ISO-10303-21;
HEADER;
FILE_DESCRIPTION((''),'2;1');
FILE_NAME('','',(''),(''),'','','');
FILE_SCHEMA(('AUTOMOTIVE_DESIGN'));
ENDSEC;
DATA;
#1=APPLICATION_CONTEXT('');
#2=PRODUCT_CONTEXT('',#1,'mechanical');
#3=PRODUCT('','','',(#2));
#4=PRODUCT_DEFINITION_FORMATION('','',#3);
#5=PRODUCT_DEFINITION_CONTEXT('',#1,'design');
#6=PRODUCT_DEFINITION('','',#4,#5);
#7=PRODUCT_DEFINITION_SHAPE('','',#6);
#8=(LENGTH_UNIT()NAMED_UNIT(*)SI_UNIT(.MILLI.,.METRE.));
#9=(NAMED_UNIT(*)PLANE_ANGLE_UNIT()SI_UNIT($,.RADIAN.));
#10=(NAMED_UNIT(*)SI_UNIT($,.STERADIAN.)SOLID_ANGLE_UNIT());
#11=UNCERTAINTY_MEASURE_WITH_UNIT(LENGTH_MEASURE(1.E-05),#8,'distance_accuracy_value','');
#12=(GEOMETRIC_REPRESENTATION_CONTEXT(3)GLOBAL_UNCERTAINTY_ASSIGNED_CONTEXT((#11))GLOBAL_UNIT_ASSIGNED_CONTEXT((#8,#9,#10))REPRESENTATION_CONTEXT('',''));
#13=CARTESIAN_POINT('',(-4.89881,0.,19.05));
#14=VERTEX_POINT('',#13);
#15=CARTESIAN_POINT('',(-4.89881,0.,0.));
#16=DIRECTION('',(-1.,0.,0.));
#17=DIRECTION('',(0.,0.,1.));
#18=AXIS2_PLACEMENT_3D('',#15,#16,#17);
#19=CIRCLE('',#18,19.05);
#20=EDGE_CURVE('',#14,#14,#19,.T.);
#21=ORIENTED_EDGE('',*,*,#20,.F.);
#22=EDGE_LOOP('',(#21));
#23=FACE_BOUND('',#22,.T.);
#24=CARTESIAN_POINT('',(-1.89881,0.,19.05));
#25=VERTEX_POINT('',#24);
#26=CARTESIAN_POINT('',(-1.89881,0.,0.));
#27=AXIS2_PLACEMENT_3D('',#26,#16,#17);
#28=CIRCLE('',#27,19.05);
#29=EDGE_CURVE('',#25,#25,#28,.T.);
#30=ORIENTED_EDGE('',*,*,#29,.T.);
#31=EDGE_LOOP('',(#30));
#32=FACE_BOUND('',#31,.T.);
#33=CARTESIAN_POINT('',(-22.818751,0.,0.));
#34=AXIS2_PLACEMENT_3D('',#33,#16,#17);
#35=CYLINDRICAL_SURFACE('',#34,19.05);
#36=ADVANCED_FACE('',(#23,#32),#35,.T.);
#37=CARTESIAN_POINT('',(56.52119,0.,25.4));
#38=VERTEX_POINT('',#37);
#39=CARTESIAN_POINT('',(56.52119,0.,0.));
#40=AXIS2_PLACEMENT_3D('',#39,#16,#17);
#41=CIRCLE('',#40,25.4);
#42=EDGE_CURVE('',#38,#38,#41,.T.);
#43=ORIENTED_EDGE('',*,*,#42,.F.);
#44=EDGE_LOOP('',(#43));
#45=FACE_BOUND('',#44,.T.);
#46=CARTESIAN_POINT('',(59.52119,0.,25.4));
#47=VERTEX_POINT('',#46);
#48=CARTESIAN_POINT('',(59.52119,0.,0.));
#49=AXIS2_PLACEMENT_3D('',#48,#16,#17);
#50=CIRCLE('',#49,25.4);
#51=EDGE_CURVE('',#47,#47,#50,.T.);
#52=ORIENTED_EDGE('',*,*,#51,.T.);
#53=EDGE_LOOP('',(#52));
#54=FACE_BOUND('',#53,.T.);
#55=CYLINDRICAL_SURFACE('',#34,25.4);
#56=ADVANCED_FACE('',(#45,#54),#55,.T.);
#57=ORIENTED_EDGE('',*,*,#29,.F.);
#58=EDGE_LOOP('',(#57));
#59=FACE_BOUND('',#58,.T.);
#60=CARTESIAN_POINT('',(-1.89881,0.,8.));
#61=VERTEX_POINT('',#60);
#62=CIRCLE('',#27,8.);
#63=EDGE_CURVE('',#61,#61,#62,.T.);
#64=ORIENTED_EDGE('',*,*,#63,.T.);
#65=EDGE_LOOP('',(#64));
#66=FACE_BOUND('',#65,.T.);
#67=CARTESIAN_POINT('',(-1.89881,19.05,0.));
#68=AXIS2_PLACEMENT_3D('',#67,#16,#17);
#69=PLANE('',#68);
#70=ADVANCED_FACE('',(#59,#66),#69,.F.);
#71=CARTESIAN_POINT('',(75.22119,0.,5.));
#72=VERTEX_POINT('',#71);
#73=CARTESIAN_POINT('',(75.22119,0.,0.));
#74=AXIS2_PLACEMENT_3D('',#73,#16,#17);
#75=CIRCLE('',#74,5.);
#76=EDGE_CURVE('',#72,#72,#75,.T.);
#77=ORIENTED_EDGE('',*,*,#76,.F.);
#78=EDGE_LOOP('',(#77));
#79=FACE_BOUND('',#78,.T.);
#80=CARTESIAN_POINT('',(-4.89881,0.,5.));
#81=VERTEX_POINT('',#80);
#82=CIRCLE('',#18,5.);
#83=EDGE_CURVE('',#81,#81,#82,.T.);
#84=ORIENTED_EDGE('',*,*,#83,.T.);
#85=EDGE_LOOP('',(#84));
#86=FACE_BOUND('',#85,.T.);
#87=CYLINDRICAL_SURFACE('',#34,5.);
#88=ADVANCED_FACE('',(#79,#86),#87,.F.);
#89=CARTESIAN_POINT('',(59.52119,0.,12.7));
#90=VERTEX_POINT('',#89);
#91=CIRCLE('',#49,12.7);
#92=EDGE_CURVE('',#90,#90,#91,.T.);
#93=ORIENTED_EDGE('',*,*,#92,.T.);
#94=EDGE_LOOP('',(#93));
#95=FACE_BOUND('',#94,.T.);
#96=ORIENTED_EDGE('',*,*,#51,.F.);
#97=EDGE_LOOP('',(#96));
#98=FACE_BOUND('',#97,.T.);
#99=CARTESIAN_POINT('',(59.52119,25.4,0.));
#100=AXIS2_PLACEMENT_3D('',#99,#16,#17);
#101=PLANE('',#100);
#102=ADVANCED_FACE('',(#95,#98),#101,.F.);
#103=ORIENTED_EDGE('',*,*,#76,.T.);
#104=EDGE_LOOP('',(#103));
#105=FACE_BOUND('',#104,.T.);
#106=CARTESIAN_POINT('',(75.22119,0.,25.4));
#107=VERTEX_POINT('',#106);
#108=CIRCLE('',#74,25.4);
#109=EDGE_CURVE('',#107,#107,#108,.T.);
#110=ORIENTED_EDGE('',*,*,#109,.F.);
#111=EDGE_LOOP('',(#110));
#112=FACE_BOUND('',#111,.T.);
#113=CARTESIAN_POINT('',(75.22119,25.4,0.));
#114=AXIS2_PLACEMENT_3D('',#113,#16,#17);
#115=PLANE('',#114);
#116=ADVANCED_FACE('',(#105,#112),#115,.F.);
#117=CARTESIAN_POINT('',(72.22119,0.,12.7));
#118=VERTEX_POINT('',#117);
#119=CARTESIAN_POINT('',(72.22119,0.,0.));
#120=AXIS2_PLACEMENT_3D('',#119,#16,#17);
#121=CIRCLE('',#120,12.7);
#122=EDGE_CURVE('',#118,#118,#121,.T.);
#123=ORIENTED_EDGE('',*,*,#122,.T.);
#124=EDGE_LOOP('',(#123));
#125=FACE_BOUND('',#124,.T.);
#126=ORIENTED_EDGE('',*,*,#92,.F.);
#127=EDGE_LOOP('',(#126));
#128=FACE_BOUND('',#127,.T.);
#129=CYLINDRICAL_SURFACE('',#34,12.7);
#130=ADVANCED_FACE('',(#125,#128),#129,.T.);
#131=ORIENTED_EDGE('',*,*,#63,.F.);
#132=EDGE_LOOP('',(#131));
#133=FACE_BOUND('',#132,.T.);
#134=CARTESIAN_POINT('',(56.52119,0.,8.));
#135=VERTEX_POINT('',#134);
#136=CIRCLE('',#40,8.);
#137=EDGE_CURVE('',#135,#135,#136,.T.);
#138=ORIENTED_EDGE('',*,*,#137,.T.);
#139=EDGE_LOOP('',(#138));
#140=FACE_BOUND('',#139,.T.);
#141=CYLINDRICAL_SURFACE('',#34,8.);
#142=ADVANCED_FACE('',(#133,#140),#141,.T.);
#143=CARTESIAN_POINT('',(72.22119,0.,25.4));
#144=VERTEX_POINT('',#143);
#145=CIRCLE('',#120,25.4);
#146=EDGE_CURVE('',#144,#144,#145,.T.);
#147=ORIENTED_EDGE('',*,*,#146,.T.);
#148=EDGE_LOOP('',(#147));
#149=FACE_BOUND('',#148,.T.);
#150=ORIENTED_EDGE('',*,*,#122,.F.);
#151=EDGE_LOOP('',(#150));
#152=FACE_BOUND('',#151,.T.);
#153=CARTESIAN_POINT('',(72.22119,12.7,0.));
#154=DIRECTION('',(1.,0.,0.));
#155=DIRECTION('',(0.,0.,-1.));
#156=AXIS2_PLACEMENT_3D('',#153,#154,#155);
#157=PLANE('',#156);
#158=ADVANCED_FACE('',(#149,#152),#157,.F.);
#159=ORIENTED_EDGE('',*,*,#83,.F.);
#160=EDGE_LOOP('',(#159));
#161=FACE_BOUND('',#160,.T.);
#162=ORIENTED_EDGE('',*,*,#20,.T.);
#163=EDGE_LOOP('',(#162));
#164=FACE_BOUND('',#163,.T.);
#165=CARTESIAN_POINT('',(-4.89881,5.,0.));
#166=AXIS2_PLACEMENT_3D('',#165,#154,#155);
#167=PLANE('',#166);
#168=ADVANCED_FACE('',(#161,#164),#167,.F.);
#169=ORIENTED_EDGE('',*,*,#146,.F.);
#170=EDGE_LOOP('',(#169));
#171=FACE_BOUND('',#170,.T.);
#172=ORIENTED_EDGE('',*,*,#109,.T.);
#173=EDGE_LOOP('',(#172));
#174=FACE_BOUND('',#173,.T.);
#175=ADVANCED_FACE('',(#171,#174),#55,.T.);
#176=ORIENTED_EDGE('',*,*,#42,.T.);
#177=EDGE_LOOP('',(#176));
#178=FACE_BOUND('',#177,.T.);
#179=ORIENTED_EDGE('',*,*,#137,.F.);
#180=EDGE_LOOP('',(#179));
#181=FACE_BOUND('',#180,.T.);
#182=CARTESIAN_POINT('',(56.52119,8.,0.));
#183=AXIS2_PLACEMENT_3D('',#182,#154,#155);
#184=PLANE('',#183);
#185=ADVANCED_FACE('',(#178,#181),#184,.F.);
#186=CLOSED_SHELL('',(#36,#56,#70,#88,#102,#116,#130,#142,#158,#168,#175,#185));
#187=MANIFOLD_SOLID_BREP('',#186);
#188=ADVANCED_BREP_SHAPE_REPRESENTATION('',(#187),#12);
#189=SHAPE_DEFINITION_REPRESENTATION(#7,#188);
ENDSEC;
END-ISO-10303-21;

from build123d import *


with BuildPart() as part:
    # Sketch1 → Revolve1 (revolve)
    with BuildSketch(Plane.XY, mode=Mode.PRIVATE) as revolve1_sk:
        Polygon((-4.898809524, 5), (-4.898809524, 19.05), (-1.898809524, 19.05), (-1.898809524, 8), (56.521190476, 8), (56.521190476, 25.4), (59.521190476, 25.4), (59.521190476, 12.7), (72.221190476, 12.7), (72.221190476, 25.4), (75.221190476, 25.4), (75.221190476, 5), align=None)
    revolve(revolve1_sk.sketch.rotate(Axis((-22.818750637, 0, 0), (1, 0, 0)), 90), axis=Axis((-22.818750637, 0, 0), (1, 0, 0)))


solid = part.part
